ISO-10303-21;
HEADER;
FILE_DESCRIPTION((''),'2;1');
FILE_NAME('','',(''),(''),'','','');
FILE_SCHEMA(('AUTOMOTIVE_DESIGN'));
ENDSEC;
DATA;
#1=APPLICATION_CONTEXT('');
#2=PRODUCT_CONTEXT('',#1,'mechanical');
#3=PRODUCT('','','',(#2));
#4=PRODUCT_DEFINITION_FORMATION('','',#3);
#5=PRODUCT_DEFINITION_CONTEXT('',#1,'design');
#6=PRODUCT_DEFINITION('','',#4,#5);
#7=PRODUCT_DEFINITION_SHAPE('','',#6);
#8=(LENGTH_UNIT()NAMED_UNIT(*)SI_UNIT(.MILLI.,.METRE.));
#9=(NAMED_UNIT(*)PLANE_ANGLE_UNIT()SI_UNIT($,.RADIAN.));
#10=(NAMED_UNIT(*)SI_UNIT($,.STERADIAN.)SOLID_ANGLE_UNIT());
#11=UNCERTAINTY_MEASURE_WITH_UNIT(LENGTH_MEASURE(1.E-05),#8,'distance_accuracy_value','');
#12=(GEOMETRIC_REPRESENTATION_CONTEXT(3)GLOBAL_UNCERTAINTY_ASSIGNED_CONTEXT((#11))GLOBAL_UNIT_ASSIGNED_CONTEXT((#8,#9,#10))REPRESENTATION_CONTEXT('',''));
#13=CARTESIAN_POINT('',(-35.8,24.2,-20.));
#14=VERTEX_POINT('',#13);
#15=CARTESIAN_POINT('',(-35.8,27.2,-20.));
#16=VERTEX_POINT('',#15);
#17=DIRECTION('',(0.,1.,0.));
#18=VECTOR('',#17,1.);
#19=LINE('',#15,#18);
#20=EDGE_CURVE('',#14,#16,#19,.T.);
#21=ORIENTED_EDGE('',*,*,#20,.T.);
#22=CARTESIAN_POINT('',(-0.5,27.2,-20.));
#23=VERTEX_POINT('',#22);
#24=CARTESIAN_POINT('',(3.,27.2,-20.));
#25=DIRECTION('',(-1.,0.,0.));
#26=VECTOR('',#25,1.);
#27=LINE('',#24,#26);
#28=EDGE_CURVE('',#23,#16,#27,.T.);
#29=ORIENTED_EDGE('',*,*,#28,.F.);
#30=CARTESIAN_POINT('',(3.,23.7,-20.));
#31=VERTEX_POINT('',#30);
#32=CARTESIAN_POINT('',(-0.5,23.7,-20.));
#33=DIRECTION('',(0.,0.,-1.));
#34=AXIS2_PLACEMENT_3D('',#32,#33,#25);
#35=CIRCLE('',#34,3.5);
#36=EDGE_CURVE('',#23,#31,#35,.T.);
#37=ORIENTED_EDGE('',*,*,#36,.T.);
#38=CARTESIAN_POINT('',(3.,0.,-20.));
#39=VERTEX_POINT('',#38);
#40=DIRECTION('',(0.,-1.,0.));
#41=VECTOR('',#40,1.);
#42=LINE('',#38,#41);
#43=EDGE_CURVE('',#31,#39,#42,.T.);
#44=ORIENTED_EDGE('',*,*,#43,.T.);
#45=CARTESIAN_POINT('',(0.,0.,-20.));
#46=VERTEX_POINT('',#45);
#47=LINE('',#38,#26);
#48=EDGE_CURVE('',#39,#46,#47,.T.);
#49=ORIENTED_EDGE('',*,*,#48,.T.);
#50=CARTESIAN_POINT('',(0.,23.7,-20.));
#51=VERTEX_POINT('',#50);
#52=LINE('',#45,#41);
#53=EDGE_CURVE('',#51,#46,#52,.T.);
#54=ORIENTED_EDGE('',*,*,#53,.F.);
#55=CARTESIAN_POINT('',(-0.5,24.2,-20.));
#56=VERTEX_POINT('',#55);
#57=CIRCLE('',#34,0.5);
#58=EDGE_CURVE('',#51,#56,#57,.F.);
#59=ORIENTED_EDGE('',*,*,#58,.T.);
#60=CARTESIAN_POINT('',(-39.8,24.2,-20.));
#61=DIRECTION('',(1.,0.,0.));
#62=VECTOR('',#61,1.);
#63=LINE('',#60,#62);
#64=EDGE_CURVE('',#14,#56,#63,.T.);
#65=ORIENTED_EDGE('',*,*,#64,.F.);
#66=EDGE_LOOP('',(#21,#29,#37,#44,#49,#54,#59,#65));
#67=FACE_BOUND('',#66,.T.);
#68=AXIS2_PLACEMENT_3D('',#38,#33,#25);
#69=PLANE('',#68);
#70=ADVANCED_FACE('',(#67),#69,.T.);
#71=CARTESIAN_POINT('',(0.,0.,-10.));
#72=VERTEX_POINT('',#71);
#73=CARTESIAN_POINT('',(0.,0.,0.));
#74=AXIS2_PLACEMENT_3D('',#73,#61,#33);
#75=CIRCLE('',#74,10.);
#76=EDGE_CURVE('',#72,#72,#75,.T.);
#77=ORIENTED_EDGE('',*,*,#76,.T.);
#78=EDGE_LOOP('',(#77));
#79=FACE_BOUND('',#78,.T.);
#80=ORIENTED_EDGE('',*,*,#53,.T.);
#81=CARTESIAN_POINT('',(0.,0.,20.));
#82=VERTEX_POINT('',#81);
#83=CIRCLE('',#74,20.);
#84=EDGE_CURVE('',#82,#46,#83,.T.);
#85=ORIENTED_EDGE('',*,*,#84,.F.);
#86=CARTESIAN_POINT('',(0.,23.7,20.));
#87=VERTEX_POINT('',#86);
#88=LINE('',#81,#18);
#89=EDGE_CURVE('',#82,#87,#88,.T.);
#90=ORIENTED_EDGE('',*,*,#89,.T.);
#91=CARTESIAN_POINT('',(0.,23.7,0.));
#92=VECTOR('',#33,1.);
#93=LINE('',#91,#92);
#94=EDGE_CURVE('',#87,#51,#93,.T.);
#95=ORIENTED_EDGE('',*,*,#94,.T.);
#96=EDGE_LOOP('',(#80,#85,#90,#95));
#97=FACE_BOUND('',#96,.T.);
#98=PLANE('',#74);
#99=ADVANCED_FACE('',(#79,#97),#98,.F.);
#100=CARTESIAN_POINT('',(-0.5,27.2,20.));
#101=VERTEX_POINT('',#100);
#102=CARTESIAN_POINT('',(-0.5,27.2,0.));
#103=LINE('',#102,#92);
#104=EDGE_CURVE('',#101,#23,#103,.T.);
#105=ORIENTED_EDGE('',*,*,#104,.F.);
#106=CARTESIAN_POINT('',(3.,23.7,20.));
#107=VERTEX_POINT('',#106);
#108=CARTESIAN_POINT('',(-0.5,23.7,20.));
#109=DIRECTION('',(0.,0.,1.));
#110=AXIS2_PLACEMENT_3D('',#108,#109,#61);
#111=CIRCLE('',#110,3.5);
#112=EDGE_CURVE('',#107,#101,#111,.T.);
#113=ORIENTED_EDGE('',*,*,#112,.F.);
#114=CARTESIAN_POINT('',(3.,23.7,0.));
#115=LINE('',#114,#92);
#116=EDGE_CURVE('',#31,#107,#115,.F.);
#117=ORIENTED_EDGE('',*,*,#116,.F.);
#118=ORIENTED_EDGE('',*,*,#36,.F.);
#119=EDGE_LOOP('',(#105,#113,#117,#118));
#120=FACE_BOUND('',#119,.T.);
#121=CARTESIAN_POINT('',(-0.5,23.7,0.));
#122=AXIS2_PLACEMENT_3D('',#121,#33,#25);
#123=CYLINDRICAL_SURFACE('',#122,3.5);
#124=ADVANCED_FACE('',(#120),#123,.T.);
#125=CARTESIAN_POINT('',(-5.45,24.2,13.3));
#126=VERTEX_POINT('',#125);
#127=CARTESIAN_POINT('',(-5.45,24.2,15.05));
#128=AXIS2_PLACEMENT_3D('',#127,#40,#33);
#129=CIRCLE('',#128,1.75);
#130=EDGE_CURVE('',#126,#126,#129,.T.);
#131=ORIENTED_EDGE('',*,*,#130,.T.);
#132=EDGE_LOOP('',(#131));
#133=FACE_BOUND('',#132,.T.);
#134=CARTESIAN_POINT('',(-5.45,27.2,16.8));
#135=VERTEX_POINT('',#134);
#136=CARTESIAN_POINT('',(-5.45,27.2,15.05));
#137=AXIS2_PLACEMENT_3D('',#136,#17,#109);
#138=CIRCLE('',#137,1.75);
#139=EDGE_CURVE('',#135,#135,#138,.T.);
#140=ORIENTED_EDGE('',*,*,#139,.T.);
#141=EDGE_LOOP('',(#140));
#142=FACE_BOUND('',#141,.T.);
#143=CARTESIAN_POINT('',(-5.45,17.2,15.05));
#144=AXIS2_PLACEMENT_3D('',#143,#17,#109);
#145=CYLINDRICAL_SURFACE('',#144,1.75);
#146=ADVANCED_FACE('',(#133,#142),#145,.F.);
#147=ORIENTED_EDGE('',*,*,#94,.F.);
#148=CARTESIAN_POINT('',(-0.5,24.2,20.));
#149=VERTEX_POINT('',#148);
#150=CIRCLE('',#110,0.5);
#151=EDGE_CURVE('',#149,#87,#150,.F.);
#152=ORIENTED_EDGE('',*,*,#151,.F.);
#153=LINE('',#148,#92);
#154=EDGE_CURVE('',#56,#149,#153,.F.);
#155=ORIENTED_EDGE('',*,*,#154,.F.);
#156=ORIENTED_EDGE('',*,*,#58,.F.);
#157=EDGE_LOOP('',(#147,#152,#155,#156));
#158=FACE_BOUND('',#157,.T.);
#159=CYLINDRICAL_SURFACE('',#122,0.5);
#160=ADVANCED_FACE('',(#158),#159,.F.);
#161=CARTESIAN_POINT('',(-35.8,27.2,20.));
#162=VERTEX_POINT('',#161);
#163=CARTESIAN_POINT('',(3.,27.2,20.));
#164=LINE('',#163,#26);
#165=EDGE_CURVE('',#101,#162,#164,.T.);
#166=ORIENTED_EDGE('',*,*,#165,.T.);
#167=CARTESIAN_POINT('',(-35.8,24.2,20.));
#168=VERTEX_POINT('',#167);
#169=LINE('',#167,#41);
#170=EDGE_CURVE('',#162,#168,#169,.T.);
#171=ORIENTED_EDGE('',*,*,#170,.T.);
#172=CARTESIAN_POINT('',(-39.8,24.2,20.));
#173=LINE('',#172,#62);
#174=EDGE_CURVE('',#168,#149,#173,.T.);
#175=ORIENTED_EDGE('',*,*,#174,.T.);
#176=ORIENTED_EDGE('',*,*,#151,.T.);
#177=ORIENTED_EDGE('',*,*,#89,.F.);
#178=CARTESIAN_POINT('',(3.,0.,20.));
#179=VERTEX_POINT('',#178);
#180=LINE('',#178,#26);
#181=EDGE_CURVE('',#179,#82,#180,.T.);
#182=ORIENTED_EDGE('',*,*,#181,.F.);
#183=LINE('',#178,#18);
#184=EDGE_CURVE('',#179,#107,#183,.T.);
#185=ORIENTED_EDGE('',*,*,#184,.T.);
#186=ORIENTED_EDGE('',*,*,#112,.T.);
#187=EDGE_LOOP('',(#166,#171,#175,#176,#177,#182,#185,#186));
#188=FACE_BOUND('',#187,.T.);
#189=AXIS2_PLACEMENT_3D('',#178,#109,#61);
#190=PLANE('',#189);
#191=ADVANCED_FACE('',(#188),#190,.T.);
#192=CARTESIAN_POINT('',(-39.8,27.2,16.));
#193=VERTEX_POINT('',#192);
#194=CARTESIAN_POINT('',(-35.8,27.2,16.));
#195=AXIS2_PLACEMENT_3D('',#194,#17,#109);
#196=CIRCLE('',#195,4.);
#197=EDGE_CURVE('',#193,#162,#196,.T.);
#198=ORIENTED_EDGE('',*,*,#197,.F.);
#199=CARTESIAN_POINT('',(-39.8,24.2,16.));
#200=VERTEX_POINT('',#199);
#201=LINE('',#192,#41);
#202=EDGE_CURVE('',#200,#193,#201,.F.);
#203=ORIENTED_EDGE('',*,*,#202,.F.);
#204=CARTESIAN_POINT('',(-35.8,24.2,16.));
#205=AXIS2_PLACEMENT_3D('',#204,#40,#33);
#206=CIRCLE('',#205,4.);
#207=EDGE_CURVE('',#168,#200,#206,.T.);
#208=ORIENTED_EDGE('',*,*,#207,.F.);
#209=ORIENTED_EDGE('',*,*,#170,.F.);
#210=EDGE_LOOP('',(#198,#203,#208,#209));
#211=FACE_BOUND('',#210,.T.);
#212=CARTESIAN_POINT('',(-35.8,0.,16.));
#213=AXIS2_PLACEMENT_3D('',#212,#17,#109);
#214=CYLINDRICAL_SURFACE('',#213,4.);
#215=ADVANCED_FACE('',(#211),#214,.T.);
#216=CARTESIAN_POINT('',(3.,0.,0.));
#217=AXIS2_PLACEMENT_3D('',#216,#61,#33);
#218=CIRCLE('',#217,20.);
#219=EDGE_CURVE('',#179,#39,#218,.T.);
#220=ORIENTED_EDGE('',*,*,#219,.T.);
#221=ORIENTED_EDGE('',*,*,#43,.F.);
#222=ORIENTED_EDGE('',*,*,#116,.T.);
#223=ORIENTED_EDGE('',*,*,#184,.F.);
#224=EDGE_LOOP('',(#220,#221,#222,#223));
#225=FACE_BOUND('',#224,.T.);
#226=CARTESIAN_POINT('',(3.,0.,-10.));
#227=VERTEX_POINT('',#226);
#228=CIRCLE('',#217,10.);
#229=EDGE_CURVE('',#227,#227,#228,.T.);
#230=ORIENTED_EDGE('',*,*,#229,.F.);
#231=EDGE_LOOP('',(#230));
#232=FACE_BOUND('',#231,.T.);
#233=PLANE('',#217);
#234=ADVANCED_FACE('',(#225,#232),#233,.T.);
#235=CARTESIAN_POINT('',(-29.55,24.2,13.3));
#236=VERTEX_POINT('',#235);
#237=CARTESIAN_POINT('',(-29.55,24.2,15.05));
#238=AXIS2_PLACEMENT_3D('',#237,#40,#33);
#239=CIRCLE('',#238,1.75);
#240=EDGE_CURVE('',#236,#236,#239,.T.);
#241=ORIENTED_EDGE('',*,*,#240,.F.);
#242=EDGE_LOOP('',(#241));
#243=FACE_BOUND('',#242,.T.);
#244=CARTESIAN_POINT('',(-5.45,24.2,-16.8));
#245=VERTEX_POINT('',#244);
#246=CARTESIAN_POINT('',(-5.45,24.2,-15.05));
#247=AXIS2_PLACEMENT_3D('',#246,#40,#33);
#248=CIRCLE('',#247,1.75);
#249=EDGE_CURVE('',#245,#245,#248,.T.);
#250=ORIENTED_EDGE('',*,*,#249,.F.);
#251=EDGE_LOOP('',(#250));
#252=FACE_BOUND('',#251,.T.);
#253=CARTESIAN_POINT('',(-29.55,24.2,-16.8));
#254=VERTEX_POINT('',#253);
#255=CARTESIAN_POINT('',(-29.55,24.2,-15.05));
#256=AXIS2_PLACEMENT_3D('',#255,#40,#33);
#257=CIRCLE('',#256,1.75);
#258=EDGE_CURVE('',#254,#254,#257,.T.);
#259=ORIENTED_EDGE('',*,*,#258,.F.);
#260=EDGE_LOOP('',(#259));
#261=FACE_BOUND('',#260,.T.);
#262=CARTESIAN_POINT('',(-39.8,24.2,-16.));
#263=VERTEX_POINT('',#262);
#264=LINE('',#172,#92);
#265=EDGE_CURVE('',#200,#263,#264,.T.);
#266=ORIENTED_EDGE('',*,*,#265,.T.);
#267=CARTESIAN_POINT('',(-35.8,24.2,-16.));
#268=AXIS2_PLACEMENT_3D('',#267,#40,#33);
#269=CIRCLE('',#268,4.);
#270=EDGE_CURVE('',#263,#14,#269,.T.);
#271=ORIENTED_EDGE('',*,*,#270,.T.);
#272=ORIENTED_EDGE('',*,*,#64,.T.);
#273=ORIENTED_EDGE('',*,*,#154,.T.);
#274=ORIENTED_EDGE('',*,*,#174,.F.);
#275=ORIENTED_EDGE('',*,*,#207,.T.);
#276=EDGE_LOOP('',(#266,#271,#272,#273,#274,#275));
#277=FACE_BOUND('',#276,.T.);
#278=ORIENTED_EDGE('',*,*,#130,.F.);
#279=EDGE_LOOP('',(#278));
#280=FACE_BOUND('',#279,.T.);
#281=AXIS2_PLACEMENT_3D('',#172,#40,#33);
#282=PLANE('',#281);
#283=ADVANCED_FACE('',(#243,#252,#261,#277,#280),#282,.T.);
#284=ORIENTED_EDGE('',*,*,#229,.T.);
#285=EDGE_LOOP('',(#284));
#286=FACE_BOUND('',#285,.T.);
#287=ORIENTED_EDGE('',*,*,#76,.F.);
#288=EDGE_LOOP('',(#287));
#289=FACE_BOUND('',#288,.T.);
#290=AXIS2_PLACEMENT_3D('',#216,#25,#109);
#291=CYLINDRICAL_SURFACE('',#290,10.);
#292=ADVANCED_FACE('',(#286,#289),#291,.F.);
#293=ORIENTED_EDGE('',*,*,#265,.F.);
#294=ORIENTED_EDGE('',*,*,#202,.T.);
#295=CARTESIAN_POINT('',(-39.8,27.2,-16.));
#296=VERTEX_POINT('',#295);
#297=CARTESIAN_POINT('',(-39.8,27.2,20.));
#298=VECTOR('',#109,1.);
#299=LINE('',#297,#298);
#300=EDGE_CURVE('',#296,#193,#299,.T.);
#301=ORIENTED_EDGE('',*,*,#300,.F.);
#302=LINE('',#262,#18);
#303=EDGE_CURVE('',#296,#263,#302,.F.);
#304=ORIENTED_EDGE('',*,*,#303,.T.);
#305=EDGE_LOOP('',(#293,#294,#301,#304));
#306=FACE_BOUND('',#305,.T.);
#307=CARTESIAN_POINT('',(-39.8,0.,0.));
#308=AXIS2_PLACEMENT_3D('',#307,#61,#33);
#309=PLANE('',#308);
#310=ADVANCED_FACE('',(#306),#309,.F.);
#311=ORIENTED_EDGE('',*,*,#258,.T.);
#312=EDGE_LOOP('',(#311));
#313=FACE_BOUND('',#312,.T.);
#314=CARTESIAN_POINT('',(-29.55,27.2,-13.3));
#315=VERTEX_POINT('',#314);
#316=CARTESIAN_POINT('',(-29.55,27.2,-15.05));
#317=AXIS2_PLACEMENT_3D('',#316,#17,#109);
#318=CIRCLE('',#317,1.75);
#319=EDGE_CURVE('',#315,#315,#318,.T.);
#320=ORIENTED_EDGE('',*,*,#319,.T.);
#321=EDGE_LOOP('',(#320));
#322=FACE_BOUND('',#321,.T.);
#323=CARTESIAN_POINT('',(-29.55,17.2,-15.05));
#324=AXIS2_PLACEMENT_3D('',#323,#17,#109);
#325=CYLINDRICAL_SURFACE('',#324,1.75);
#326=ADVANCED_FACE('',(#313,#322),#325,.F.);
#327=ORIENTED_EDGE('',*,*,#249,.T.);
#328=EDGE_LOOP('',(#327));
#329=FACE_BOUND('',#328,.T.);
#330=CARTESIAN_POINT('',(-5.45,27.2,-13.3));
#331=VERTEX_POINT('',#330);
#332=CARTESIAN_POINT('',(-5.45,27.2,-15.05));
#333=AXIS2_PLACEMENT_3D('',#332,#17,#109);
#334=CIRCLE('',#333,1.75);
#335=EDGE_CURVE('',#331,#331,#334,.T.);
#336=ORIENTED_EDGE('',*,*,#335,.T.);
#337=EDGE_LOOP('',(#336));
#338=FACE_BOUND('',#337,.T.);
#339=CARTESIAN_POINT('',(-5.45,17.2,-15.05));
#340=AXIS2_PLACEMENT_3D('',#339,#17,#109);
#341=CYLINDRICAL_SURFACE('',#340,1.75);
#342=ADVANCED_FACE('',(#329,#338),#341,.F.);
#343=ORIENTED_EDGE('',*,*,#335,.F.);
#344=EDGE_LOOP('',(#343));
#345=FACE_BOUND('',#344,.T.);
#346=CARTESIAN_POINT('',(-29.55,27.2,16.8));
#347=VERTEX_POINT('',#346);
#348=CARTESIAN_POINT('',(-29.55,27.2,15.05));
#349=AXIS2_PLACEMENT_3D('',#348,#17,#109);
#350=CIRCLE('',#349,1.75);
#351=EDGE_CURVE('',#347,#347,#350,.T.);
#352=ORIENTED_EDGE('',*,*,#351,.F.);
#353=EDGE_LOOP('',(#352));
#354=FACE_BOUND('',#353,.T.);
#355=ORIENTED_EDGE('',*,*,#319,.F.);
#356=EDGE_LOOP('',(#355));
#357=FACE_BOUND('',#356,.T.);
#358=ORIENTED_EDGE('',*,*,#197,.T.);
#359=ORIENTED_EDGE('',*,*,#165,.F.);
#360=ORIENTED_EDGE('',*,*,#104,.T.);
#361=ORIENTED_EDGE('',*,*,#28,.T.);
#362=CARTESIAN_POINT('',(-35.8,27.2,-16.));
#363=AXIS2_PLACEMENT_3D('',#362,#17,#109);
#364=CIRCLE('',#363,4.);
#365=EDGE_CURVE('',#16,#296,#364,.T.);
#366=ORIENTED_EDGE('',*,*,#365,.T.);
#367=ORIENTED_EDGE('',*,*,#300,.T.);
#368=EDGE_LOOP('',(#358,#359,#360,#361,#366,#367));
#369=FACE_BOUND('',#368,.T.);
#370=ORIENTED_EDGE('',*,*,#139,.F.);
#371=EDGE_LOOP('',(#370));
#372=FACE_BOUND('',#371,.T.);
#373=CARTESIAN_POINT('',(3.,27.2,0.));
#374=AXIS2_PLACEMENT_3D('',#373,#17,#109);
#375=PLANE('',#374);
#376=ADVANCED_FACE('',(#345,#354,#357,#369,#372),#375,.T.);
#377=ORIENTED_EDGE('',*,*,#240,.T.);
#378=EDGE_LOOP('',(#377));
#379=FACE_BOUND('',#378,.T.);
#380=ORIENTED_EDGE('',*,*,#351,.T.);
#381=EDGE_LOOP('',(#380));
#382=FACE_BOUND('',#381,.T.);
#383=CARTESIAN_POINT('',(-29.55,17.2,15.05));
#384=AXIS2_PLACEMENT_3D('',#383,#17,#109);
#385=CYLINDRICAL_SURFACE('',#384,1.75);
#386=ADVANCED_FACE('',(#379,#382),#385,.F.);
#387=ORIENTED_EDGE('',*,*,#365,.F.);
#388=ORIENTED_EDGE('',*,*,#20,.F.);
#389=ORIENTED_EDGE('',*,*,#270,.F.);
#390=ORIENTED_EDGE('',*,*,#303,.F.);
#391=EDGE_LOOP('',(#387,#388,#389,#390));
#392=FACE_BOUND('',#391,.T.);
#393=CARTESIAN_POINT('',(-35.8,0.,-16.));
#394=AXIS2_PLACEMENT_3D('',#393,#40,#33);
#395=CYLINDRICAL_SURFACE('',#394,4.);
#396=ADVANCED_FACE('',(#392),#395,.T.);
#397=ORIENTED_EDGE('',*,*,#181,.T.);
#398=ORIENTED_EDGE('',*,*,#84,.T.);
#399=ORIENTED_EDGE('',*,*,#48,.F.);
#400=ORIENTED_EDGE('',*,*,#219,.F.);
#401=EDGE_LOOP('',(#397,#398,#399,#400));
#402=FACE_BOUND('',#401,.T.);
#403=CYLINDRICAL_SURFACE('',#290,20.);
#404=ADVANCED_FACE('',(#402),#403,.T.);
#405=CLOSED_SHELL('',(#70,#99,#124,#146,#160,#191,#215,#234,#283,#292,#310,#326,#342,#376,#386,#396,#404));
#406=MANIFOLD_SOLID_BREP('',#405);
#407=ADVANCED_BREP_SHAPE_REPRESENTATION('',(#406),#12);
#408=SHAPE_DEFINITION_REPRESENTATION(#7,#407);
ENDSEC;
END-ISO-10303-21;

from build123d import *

# Parameters (mm, degrees)
SKETCH1_R           = 20
SKETCH1_R_2         = 10
BOSS_EXTRUDE1_DEPTH = 3
SKETCH2_W           = 40
SKETCH2_H           = 3
BOSS_EXTRUDE2_DEPTH = 42.8
FILLET1_R           = 0.5
FILLET2_R           = 3.5
FILLET3_R           = 4
SKETCH3_R           = 1.75
CUT_EXTRUDE1_DEPTH  = 10


with BuildPart() as part:
    # Sketch1 → Boss-Extrude1 (new body)
    with BuildSketch(Plane(origin=(0, 0, 0), x_dir=(0, 0, -1), z_dir=(1, 0, 0))):
        with BuildLine():
            Line((-20, 27.2), (-20, 0))
            ThreePointArc((-20, 0), (0, 20), (20, 0))
            Line((20, 0), (20, 27.2))
            Line((20, 27.2), (-20, 27.2))
        make_face()
        Circle(SKETCH1_R)
        Circle(SKETCH1_R_2, mode=Mode.SUBTRACT)
    extrude(amount=BOSS_EXTRUDE1_DEPTH)

    # Sketch2 → Boss-Extrude2 (add)
    with BuildSketch(Plane(origin=(3, 0, 0), x_dir=(0, 0, -1), z_dir=(1, 0, 0))):
        with Locations((0, 25.7)):
            Rectangle(SKETCH2_W, SKETCH2_H)
    extrude(amount=-BOSS_EXTRUDE2_DEPTH)

    # Fillet1
    fillet1_edges = [part.edges().sort_by_distance(p)[0] for p in [
        (0, 24.2, 0),
    ]]
    fillet(fillet1_edges, radius=FILLET1_R)

    # Fillet2
    fillet2_edges = [part.edges().sort_by_distance(p)[0] for p in [
        (3, 27.2, 0),
    ]]
    fillet(fillet2_edges, radius=FILLET2_R)

    # Fillet3
    fillet3_edges = [part.edges().sort_by_distance(p)[0] for p in [
        (-39.8, 25.7, 20),
        (-39.8, 25.7, -20),
    ]]
    fillet(fillet3_edges, radius=FILLET3_R)

    # Sketch3 → Cut-Extrude1 (cut)
    with BuildSketch(Plane(origin=(0, 27.2, 0), x_dir=(1, 0, 0), z_dir=(0, 1, 0))):
        with Locations((-29.55, 15.05)):
            Circle(SKETCH3_R)
        with Locations((-5.45, 15.05)):
            Circle(SKETCH3_R)
        with Locations((-29.55, -15.05)):
            Circle(SKETCH3_R)
        with Locations((-5.45, -15.05)):
            Circle(SKETCH3_R)
    extrude(amount=-CUT_EXTRUDE1_DEPTH, mode=Mode.SUBTRACT)


solid = part.part
